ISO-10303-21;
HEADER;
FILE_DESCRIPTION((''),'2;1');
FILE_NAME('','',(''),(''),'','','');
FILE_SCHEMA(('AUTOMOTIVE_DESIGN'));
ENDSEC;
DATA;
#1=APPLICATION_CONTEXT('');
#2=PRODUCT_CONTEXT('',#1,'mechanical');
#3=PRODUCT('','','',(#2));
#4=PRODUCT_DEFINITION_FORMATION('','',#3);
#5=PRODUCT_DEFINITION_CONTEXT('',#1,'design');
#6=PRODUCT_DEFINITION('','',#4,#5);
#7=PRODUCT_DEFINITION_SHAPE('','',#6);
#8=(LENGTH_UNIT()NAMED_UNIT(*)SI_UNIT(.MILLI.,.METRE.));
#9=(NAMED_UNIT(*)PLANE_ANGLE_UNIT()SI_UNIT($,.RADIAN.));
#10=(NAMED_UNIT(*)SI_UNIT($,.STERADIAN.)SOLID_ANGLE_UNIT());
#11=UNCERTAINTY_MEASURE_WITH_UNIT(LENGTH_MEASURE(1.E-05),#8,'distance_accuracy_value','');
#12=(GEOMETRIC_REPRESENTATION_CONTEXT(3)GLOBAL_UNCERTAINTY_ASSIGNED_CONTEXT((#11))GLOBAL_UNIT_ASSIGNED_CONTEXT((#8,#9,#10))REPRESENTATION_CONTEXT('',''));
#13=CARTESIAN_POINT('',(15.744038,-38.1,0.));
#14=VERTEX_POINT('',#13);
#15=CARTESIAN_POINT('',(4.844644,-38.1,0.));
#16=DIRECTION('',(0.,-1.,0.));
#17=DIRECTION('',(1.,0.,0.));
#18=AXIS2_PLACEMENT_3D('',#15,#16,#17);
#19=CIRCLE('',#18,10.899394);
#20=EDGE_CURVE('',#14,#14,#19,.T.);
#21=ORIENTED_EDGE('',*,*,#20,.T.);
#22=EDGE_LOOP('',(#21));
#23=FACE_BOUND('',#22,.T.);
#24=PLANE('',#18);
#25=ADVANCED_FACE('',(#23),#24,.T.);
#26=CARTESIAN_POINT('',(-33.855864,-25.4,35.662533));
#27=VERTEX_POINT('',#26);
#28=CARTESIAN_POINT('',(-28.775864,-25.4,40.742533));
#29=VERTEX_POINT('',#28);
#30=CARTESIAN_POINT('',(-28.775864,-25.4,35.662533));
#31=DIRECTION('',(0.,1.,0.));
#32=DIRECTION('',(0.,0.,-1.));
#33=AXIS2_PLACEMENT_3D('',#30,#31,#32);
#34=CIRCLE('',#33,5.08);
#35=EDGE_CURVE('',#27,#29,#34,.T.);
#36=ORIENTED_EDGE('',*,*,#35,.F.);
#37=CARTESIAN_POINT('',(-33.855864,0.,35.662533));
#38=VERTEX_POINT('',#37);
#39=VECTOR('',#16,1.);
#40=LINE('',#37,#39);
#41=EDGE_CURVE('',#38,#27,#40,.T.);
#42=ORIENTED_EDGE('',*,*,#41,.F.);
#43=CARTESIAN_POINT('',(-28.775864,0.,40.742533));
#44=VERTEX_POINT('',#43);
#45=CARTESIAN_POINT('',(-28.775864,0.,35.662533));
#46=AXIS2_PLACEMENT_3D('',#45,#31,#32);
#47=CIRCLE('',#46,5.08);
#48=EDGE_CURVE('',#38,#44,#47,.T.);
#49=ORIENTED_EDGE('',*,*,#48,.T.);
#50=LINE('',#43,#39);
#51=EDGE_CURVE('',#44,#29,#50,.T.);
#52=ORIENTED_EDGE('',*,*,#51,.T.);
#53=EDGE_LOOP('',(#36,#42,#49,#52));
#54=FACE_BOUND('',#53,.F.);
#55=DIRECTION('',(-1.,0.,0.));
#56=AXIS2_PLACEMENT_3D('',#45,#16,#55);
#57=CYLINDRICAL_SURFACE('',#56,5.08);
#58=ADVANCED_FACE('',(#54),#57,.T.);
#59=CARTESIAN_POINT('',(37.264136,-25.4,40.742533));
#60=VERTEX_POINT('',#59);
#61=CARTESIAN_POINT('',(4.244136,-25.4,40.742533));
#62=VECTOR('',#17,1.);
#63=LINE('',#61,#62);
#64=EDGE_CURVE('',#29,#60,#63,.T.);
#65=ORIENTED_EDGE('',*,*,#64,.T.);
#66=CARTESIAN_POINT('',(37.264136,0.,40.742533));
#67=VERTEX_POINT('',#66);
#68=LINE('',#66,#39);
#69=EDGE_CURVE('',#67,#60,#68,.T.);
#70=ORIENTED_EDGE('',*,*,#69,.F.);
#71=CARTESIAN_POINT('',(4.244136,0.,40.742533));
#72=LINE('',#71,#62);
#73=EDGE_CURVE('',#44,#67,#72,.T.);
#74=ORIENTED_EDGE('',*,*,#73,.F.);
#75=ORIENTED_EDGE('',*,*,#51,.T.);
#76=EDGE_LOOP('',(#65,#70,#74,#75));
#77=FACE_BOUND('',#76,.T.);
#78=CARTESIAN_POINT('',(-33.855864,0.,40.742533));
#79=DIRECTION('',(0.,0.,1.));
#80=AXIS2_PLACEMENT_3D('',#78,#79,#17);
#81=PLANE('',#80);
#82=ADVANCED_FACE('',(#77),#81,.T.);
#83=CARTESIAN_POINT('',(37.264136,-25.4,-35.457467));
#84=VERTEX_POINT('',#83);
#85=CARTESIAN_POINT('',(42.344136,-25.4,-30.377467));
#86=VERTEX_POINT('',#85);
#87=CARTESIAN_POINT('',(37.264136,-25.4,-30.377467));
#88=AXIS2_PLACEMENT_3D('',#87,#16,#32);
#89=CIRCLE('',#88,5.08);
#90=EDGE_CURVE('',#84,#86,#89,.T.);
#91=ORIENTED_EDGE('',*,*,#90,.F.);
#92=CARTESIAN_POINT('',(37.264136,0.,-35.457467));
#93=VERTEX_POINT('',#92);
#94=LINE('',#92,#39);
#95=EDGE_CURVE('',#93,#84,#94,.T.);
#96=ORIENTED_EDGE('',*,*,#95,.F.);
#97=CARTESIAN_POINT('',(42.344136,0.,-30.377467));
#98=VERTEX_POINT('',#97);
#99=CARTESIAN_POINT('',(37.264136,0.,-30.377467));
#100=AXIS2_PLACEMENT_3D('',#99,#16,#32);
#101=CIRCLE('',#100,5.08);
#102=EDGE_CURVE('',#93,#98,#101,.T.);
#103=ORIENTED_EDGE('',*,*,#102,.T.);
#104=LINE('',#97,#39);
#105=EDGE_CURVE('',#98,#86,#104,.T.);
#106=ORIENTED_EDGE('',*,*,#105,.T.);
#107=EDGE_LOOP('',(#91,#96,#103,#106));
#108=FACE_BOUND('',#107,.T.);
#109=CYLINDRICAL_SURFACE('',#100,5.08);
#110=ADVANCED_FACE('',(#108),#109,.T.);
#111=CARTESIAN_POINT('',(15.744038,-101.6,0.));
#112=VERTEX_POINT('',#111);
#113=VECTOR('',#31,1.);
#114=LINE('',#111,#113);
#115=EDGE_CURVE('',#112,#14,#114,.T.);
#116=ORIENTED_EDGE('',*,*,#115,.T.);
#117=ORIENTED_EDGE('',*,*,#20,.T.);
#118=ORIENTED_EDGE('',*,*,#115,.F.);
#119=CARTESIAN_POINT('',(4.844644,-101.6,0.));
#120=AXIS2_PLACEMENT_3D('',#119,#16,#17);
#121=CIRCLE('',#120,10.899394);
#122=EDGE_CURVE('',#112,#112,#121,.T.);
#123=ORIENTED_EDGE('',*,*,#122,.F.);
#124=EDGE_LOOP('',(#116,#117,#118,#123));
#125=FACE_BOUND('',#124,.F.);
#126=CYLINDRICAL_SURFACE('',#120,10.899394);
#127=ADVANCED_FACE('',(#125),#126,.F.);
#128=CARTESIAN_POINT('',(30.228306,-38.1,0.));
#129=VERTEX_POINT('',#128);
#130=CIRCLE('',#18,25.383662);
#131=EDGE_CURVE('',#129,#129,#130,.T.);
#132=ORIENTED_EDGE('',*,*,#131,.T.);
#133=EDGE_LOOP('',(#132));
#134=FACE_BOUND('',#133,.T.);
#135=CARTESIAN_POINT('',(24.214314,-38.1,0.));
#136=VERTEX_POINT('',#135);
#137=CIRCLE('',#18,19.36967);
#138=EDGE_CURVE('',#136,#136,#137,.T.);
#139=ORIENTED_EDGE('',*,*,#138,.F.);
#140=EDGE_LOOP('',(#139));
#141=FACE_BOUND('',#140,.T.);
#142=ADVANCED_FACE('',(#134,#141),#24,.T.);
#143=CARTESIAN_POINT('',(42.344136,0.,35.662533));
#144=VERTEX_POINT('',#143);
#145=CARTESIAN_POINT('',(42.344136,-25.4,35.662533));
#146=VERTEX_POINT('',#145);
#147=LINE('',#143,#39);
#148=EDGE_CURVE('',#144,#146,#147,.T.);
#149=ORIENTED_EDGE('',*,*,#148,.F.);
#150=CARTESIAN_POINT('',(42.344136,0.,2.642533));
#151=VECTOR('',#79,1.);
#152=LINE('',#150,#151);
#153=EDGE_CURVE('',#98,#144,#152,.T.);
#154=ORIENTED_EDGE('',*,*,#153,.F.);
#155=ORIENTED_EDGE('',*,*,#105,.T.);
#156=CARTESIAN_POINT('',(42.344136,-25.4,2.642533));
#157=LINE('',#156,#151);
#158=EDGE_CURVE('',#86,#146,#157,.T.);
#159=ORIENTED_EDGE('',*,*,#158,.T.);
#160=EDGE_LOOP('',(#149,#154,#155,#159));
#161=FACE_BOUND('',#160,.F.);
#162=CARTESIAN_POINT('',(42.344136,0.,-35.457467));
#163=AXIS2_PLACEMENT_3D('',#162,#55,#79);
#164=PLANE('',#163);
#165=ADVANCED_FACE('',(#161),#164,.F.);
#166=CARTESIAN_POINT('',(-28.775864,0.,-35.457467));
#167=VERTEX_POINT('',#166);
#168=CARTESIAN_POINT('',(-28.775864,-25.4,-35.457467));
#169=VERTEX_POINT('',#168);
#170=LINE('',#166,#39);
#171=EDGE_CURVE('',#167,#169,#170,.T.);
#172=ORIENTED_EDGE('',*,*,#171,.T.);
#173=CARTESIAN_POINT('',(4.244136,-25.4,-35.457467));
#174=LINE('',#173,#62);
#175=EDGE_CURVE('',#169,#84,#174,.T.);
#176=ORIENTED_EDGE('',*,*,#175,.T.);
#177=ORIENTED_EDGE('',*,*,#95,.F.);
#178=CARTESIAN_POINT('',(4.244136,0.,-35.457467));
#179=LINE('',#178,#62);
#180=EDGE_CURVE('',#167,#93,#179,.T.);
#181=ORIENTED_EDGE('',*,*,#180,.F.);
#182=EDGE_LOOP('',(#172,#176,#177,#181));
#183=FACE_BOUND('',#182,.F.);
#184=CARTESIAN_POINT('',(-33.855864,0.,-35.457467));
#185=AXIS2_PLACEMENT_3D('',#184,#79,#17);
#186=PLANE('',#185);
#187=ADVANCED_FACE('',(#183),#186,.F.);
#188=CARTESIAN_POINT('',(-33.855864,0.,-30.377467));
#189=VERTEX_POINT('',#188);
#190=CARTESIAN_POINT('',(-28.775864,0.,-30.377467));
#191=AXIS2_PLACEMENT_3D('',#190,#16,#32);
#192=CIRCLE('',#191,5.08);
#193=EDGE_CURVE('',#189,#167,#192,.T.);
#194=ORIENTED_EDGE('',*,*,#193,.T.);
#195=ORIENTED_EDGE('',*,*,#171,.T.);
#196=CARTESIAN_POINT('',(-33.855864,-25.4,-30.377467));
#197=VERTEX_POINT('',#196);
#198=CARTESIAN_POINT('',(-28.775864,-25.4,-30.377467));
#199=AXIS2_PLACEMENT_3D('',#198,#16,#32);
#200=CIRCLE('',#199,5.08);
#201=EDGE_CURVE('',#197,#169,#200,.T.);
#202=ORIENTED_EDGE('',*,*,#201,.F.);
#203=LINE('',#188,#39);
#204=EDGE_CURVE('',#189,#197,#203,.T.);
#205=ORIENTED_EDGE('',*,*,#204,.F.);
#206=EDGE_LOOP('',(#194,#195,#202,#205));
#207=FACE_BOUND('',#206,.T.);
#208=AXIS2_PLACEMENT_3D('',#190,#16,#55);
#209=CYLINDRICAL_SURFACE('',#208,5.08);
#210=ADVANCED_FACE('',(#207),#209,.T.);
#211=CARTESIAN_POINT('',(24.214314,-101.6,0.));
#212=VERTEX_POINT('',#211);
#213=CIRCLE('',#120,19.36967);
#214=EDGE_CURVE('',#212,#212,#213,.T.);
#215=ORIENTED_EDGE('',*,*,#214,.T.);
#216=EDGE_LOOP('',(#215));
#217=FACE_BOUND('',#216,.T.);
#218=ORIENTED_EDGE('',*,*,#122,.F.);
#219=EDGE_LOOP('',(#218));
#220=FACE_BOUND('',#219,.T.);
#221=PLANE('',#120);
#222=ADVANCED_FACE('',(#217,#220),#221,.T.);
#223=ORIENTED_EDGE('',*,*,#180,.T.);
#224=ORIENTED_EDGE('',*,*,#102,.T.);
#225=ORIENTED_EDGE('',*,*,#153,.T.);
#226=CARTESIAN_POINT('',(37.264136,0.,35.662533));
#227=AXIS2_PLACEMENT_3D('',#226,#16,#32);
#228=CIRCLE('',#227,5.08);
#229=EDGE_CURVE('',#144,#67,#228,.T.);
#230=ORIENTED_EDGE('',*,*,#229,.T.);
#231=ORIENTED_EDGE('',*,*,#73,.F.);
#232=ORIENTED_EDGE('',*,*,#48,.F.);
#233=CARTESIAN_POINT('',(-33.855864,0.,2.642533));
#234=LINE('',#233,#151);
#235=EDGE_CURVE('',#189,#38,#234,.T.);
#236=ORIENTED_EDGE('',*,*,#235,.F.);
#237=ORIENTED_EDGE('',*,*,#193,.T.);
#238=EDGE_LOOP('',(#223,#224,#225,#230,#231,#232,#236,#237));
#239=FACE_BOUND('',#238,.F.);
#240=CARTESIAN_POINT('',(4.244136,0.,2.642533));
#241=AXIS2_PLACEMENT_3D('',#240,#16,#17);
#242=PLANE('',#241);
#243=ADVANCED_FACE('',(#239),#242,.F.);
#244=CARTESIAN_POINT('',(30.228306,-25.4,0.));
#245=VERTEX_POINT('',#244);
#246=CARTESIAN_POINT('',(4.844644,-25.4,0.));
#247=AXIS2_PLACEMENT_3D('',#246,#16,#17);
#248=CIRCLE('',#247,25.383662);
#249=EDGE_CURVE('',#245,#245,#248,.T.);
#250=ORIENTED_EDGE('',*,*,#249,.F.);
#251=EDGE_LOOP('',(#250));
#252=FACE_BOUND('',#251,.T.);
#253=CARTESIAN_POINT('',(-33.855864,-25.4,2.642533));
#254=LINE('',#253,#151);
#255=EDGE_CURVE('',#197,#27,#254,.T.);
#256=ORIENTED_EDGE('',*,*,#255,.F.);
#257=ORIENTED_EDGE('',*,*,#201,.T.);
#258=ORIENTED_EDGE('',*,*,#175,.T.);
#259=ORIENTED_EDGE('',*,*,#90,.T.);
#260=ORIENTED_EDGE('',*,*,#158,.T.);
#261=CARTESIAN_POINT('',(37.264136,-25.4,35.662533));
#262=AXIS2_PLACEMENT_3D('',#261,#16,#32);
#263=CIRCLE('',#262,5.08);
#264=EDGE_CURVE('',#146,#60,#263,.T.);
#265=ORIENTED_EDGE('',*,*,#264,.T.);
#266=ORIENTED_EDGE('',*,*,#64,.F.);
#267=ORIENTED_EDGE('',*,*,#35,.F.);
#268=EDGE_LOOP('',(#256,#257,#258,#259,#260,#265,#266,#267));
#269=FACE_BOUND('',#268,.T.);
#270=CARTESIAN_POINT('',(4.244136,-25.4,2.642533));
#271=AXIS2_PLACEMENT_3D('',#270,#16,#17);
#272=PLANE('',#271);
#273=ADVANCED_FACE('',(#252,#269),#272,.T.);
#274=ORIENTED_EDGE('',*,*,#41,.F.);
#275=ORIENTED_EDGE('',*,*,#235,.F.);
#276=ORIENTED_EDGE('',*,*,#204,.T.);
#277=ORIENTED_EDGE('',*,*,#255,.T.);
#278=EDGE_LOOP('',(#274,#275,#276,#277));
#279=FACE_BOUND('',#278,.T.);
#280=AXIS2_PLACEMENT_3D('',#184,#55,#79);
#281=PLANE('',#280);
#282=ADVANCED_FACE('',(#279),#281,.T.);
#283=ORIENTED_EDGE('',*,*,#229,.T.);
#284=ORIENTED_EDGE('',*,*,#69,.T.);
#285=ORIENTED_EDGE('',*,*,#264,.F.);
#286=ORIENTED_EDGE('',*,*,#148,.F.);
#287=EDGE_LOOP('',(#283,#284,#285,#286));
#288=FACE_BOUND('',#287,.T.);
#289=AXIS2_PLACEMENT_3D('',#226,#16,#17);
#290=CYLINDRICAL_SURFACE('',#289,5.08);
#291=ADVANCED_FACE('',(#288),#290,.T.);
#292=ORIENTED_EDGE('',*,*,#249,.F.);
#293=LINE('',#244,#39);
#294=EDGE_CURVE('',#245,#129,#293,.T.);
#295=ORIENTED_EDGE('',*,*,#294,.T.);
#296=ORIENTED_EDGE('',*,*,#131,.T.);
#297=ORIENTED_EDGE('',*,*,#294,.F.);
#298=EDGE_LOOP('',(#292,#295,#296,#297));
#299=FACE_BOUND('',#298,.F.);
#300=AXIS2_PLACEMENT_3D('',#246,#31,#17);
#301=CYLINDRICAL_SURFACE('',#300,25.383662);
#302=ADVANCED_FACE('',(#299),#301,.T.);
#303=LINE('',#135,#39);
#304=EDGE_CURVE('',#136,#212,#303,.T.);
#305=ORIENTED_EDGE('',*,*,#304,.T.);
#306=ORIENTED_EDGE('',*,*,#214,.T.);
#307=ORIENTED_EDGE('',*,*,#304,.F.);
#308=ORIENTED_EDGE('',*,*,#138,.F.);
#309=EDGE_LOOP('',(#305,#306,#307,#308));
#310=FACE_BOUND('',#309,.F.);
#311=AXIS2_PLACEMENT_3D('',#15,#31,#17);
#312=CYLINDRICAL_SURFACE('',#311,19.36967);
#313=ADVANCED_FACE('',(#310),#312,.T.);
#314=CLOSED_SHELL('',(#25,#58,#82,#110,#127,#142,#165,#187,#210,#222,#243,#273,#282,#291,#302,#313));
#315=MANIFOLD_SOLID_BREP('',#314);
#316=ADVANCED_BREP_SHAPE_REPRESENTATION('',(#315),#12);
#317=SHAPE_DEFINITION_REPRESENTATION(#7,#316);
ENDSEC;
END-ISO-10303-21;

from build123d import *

# Parameters (mm, degrees)
F0_W     = 76.2
F0_H     = 76.2
F1_DEPTH = 25.4
F2_R     = 5.08
F3_R     = 25.383662
F4_DEPTH = 12.7
F5_R     = 19.36967
F6_DEPTH = 63.5
F7_R     = 10.899394
F8_DEPTH = 63.5


with BuildPart() as f1:
    # F0 (on Front) → F1 (new body)
    with BuildSketch(Plane.XZ):
        with Locations((4.244136, 2.642533)):
            Rectangle(F0_W, F0_H)
    extrude(amount=F1_DEPTH)

    # F2
    f2_edges = [f1.edges().sort_by_distance(p)[0] for p in [
        (-33.855864, -12.7, 40.742533),
        (42.344136, -12.7, 40.742533),
        (42.344136, -12.7, -35.457467),
        (-33.855864, -12.7, -35.457467),
    ]]
    fillet(f2_edges, radius=F2_R)

    # F3 (on face) → F4 (join)
    with BuildSketch(Plane.XZ.offset(25.4)):
        with Locations((4.844644, 0)):
            Circle(F3_R)
    extrude(amount=F4_DEPTH)

    # F5 (on face) → F6 (join)
    with BuildSketch(Plane.XZ.offset(38.1)):
        with Locations((4.844644, 0)):
            Circle(F5_R)
    extrude(amount=F6_DEPTH)

    # F7 (on face) → F8 (cut)
    with BuildSketch(Plane.XZ.offset(101.6)):
        with Locations((4.844644, 0)):
            Circle(F7_R)
    extrude(amount=-F8_DEPTH, mode=Mode.SUBTRACT)


solid = f1.part
